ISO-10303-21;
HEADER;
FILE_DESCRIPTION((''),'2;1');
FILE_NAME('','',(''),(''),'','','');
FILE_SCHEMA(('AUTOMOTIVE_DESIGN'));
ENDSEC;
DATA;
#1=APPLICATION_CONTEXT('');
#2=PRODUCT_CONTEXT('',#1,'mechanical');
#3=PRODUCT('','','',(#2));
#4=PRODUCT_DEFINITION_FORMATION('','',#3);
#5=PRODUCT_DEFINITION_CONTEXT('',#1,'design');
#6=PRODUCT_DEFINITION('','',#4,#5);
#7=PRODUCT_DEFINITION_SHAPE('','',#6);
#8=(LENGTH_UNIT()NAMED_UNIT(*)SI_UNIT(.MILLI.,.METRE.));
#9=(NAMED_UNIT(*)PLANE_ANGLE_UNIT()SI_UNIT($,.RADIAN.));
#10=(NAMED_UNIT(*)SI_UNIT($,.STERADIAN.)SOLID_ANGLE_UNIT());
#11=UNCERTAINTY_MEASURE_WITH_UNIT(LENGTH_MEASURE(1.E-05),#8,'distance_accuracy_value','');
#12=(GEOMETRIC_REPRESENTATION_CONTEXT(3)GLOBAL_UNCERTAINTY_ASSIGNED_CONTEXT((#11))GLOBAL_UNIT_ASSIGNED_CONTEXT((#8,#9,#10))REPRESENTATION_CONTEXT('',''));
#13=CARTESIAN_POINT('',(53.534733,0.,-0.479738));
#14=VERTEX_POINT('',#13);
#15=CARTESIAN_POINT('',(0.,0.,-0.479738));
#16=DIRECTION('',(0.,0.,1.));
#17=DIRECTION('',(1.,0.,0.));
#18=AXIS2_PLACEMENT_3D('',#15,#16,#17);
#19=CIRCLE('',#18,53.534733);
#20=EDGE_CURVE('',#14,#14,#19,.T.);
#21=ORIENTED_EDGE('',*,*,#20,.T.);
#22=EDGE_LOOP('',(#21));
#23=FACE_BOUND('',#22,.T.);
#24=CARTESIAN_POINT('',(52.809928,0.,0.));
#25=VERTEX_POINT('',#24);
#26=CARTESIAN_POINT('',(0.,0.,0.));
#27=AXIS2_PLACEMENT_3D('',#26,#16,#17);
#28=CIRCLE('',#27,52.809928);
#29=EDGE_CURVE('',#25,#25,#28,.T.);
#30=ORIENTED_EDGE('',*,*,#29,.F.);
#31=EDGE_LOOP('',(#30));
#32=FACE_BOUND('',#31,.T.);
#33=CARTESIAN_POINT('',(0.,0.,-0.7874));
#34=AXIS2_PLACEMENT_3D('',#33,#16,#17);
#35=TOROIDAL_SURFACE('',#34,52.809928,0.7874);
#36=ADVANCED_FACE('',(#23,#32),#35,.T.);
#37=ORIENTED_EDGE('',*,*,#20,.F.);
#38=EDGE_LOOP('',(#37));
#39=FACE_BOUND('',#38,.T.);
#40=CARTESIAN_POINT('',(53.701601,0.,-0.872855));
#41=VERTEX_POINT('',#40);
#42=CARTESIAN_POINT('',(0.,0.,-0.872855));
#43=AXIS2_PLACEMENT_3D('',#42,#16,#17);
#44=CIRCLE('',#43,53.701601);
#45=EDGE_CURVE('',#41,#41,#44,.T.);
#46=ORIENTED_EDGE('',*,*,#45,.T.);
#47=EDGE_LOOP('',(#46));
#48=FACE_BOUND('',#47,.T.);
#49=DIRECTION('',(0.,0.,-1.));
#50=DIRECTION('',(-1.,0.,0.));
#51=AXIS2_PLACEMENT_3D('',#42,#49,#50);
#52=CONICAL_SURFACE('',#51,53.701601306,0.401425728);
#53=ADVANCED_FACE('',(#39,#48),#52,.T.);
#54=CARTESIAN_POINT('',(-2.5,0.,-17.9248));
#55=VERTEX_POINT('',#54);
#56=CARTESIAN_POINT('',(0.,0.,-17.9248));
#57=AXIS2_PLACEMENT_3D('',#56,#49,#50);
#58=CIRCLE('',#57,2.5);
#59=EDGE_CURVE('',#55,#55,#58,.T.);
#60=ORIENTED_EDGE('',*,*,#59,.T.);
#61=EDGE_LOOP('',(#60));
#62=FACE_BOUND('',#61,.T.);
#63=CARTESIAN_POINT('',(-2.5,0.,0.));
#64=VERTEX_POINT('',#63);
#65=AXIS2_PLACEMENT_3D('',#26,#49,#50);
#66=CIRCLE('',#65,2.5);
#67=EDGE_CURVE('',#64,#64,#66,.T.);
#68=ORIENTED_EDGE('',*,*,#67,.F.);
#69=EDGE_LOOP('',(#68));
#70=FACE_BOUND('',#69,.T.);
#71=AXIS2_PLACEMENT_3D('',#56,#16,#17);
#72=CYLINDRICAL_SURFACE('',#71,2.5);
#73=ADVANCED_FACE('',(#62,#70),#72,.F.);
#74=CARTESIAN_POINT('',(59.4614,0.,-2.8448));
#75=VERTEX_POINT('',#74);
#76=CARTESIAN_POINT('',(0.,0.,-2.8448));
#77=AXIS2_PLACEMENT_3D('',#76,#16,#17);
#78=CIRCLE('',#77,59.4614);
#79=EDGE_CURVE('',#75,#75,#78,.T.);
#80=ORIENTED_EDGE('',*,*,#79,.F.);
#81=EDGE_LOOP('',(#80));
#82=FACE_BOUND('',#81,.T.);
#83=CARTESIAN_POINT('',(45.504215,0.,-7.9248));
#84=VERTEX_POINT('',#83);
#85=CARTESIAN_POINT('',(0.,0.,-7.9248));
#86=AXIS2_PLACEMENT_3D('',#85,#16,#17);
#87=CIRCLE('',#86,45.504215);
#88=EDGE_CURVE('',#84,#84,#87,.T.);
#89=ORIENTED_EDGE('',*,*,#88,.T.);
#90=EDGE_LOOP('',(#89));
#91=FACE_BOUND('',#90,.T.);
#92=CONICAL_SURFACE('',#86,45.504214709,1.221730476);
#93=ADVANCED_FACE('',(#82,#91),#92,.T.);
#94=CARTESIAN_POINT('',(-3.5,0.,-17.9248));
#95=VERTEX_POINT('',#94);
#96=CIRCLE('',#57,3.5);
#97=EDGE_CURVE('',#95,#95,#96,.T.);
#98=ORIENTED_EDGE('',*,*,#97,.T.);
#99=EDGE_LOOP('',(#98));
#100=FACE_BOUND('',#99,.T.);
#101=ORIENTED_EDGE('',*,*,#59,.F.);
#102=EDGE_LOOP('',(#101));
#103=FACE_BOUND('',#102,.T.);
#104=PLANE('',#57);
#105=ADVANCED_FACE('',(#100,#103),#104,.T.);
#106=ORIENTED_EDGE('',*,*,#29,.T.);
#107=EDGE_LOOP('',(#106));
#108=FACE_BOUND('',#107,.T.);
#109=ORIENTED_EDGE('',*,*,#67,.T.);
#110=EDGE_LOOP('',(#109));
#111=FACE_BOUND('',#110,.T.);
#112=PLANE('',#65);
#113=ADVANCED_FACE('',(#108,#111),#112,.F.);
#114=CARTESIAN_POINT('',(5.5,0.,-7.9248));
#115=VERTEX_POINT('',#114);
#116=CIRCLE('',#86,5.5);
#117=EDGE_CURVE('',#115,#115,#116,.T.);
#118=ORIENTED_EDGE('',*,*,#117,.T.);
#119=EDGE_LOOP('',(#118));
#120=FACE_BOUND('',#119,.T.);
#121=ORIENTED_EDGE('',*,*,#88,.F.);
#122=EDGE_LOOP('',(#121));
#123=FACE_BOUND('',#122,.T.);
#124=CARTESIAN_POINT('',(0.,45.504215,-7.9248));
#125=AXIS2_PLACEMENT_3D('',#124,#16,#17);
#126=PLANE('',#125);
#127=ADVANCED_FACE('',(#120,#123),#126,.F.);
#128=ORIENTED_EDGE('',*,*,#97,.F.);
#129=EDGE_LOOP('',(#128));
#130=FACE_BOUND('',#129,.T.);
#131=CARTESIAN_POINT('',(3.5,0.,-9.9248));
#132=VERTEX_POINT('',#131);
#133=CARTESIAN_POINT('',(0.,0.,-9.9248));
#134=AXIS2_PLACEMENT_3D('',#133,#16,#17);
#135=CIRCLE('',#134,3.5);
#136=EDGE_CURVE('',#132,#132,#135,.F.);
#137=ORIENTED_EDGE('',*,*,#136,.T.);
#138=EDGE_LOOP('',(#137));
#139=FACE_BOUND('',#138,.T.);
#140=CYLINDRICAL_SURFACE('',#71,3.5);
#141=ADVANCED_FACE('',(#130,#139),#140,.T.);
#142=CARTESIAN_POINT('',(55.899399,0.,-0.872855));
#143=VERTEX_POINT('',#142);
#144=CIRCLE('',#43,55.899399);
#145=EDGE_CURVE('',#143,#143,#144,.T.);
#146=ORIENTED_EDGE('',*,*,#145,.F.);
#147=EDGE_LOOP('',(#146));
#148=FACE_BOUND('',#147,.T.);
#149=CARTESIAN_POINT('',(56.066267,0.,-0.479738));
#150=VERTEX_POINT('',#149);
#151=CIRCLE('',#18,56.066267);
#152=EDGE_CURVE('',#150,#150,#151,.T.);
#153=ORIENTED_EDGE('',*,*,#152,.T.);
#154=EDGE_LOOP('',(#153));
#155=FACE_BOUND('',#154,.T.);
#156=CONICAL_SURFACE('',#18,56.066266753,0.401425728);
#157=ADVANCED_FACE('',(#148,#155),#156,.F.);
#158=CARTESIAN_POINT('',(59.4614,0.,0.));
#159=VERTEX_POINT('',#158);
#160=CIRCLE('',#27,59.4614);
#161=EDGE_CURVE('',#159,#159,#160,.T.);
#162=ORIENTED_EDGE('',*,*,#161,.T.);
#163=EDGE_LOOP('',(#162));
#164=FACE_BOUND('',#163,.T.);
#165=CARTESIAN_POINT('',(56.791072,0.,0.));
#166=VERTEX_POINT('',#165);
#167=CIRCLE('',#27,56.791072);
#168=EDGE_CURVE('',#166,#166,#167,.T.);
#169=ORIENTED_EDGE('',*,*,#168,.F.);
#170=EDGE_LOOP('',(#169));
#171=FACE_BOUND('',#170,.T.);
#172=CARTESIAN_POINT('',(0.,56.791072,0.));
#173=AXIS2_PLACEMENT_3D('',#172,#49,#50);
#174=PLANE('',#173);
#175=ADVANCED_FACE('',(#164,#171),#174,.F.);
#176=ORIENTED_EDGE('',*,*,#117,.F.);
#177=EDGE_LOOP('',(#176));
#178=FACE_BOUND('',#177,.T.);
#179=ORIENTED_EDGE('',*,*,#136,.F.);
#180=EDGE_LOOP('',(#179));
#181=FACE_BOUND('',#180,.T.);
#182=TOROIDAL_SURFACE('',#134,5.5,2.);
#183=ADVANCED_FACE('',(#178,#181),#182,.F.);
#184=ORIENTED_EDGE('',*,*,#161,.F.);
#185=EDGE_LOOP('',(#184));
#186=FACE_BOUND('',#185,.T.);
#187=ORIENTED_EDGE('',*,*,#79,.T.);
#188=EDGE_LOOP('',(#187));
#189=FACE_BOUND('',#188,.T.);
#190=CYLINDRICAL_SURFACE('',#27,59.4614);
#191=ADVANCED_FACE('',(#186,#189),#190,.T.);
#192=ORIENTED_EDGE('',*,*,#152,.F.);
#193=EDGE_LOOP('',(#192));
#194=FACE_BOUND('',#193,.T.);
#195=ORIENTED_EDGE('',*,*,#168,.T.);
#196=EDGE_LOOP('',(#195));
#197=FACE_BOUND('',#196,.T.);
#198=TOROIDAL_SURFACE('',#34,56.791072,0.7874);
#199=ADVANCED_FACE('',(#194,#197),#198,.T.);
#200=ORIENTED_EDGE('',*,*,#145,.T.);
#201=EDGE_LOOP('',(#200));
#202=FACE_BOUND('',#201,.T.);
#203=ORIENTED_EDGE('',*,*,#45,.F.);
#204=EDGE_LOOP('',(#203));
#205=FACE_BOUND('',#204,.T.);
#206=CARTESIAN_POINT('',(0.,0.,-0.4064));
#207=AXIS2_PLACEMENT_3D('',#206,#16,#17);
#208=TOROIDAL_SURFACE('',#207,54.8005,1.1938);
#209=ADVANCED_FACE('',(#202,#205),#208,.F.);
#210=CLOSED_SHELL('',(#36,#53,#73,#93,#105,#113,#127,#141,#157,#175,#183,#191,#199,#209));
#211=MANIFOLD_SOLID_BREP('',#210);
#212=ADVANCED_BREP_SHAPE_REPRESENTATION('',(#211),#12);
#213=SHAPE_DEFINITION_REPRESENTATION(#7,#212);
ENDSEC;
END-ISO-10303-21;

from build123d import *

# Parameters (mm, degrees)
SKETCH2_R               = 3.5
SKETCH2_R_2             = 2.5
BOSS_EXTRUDE1_DEPTH     = 10
CUT_EXTRUDE1_DEPTH      = 85.683624036
CUT_EXTRUDE1_DEPTH_BACK = 85.683624036
SKETCH3_R               = 2.5
FILLET1_R               = 2


with BuildPart() as part:
    # Sketch1 → Revolve1 (revolve)
    with BuildSketch(Plane(origin=(0, 0, 0), x_dir=(0, 0, -1), z_dir=(1, 0, 0)), mode=Mode.PRIVATE) as revolve1_sk:
        with BuildLine():
            Line((0, 0), (0, 52.809927725))
            ThreePointArc((0, 52.809927725), (0.130798304, 53.244522907), (0.479738309, 53.534733247))
            Line((0.479738309, 53.534733247), (0.872854821, 53.701601306))
            ThreePointArc((0.872854821, 53.701601306), (1.6002, 54.8005), (0.872854821, 55.899398694))
            Line((0.872854821, 55.899398694), (0.479738309, 56.066266753))
            ThreePointArc((0.479738309, 56.066266753), (0.130798304, 56.356477093), (0, 56.791072275))
            Line((0, 56.791072275), (0, 59.4614))
            Line((0, 59.4614), (2.8448, 59.4614))
            Line((2.8448, 59.4614), (7.9248, 45.504214709))
            Line((7.9248, 45.504214709), (7.9248, 0))
            Line((7.9248, 0), (0, 0))
        make_face()
    revolve(revolve1_sk.sketch.rotate(Axis((0, 0, 0), (0, 0, -1)), 90), axis=Axis((0, 0, 0), (0, 0, -1)))

    # Sketch2 → Boss-Extrude1 (add)
    with BuildSketch(Plane(origin=(0, 0, -7.9248), x_dir=(-1, 0, 0), z_dir=(0, 0, -1))):
        with Locations(Location((0, 0, 0), (0, 0, 180))):
            Circle(SKETCH2_R)
        Circle(SKETCH2_R_2, mode=Mode.SUBTRACT)
    extrude(amount=BOSS_EXTRUDE1_DEPTH)

    # Sketch3 → Cut-Extrude1 (cut, two sides: drawn at the far end of the back side and taken through both)
    with BuildSketch(Plane(origin=(0, 0, -7.9248), x_dir=(-1, 0, 0), z_dir=(0, 0, -1)).offset(-CUT_EXTRUDE1_DEPTH_BACK)):
        Circle(SKETCH3_R)
    extrude(amount=CUT_EXTRUDE1_DEPTH + CUT_EXTRUDE1_DEPTH_BACK, mode=Mode.SUBTRACT)

    # Fillet1
    fillet1_edges = [part.edges().sort_by_distance(p)[0] for p in [
        (-3.5, 0, -7.9248),
    ]]
    fillet(fillet1_edges, radius=FILLET1_R)


solid = part.part
